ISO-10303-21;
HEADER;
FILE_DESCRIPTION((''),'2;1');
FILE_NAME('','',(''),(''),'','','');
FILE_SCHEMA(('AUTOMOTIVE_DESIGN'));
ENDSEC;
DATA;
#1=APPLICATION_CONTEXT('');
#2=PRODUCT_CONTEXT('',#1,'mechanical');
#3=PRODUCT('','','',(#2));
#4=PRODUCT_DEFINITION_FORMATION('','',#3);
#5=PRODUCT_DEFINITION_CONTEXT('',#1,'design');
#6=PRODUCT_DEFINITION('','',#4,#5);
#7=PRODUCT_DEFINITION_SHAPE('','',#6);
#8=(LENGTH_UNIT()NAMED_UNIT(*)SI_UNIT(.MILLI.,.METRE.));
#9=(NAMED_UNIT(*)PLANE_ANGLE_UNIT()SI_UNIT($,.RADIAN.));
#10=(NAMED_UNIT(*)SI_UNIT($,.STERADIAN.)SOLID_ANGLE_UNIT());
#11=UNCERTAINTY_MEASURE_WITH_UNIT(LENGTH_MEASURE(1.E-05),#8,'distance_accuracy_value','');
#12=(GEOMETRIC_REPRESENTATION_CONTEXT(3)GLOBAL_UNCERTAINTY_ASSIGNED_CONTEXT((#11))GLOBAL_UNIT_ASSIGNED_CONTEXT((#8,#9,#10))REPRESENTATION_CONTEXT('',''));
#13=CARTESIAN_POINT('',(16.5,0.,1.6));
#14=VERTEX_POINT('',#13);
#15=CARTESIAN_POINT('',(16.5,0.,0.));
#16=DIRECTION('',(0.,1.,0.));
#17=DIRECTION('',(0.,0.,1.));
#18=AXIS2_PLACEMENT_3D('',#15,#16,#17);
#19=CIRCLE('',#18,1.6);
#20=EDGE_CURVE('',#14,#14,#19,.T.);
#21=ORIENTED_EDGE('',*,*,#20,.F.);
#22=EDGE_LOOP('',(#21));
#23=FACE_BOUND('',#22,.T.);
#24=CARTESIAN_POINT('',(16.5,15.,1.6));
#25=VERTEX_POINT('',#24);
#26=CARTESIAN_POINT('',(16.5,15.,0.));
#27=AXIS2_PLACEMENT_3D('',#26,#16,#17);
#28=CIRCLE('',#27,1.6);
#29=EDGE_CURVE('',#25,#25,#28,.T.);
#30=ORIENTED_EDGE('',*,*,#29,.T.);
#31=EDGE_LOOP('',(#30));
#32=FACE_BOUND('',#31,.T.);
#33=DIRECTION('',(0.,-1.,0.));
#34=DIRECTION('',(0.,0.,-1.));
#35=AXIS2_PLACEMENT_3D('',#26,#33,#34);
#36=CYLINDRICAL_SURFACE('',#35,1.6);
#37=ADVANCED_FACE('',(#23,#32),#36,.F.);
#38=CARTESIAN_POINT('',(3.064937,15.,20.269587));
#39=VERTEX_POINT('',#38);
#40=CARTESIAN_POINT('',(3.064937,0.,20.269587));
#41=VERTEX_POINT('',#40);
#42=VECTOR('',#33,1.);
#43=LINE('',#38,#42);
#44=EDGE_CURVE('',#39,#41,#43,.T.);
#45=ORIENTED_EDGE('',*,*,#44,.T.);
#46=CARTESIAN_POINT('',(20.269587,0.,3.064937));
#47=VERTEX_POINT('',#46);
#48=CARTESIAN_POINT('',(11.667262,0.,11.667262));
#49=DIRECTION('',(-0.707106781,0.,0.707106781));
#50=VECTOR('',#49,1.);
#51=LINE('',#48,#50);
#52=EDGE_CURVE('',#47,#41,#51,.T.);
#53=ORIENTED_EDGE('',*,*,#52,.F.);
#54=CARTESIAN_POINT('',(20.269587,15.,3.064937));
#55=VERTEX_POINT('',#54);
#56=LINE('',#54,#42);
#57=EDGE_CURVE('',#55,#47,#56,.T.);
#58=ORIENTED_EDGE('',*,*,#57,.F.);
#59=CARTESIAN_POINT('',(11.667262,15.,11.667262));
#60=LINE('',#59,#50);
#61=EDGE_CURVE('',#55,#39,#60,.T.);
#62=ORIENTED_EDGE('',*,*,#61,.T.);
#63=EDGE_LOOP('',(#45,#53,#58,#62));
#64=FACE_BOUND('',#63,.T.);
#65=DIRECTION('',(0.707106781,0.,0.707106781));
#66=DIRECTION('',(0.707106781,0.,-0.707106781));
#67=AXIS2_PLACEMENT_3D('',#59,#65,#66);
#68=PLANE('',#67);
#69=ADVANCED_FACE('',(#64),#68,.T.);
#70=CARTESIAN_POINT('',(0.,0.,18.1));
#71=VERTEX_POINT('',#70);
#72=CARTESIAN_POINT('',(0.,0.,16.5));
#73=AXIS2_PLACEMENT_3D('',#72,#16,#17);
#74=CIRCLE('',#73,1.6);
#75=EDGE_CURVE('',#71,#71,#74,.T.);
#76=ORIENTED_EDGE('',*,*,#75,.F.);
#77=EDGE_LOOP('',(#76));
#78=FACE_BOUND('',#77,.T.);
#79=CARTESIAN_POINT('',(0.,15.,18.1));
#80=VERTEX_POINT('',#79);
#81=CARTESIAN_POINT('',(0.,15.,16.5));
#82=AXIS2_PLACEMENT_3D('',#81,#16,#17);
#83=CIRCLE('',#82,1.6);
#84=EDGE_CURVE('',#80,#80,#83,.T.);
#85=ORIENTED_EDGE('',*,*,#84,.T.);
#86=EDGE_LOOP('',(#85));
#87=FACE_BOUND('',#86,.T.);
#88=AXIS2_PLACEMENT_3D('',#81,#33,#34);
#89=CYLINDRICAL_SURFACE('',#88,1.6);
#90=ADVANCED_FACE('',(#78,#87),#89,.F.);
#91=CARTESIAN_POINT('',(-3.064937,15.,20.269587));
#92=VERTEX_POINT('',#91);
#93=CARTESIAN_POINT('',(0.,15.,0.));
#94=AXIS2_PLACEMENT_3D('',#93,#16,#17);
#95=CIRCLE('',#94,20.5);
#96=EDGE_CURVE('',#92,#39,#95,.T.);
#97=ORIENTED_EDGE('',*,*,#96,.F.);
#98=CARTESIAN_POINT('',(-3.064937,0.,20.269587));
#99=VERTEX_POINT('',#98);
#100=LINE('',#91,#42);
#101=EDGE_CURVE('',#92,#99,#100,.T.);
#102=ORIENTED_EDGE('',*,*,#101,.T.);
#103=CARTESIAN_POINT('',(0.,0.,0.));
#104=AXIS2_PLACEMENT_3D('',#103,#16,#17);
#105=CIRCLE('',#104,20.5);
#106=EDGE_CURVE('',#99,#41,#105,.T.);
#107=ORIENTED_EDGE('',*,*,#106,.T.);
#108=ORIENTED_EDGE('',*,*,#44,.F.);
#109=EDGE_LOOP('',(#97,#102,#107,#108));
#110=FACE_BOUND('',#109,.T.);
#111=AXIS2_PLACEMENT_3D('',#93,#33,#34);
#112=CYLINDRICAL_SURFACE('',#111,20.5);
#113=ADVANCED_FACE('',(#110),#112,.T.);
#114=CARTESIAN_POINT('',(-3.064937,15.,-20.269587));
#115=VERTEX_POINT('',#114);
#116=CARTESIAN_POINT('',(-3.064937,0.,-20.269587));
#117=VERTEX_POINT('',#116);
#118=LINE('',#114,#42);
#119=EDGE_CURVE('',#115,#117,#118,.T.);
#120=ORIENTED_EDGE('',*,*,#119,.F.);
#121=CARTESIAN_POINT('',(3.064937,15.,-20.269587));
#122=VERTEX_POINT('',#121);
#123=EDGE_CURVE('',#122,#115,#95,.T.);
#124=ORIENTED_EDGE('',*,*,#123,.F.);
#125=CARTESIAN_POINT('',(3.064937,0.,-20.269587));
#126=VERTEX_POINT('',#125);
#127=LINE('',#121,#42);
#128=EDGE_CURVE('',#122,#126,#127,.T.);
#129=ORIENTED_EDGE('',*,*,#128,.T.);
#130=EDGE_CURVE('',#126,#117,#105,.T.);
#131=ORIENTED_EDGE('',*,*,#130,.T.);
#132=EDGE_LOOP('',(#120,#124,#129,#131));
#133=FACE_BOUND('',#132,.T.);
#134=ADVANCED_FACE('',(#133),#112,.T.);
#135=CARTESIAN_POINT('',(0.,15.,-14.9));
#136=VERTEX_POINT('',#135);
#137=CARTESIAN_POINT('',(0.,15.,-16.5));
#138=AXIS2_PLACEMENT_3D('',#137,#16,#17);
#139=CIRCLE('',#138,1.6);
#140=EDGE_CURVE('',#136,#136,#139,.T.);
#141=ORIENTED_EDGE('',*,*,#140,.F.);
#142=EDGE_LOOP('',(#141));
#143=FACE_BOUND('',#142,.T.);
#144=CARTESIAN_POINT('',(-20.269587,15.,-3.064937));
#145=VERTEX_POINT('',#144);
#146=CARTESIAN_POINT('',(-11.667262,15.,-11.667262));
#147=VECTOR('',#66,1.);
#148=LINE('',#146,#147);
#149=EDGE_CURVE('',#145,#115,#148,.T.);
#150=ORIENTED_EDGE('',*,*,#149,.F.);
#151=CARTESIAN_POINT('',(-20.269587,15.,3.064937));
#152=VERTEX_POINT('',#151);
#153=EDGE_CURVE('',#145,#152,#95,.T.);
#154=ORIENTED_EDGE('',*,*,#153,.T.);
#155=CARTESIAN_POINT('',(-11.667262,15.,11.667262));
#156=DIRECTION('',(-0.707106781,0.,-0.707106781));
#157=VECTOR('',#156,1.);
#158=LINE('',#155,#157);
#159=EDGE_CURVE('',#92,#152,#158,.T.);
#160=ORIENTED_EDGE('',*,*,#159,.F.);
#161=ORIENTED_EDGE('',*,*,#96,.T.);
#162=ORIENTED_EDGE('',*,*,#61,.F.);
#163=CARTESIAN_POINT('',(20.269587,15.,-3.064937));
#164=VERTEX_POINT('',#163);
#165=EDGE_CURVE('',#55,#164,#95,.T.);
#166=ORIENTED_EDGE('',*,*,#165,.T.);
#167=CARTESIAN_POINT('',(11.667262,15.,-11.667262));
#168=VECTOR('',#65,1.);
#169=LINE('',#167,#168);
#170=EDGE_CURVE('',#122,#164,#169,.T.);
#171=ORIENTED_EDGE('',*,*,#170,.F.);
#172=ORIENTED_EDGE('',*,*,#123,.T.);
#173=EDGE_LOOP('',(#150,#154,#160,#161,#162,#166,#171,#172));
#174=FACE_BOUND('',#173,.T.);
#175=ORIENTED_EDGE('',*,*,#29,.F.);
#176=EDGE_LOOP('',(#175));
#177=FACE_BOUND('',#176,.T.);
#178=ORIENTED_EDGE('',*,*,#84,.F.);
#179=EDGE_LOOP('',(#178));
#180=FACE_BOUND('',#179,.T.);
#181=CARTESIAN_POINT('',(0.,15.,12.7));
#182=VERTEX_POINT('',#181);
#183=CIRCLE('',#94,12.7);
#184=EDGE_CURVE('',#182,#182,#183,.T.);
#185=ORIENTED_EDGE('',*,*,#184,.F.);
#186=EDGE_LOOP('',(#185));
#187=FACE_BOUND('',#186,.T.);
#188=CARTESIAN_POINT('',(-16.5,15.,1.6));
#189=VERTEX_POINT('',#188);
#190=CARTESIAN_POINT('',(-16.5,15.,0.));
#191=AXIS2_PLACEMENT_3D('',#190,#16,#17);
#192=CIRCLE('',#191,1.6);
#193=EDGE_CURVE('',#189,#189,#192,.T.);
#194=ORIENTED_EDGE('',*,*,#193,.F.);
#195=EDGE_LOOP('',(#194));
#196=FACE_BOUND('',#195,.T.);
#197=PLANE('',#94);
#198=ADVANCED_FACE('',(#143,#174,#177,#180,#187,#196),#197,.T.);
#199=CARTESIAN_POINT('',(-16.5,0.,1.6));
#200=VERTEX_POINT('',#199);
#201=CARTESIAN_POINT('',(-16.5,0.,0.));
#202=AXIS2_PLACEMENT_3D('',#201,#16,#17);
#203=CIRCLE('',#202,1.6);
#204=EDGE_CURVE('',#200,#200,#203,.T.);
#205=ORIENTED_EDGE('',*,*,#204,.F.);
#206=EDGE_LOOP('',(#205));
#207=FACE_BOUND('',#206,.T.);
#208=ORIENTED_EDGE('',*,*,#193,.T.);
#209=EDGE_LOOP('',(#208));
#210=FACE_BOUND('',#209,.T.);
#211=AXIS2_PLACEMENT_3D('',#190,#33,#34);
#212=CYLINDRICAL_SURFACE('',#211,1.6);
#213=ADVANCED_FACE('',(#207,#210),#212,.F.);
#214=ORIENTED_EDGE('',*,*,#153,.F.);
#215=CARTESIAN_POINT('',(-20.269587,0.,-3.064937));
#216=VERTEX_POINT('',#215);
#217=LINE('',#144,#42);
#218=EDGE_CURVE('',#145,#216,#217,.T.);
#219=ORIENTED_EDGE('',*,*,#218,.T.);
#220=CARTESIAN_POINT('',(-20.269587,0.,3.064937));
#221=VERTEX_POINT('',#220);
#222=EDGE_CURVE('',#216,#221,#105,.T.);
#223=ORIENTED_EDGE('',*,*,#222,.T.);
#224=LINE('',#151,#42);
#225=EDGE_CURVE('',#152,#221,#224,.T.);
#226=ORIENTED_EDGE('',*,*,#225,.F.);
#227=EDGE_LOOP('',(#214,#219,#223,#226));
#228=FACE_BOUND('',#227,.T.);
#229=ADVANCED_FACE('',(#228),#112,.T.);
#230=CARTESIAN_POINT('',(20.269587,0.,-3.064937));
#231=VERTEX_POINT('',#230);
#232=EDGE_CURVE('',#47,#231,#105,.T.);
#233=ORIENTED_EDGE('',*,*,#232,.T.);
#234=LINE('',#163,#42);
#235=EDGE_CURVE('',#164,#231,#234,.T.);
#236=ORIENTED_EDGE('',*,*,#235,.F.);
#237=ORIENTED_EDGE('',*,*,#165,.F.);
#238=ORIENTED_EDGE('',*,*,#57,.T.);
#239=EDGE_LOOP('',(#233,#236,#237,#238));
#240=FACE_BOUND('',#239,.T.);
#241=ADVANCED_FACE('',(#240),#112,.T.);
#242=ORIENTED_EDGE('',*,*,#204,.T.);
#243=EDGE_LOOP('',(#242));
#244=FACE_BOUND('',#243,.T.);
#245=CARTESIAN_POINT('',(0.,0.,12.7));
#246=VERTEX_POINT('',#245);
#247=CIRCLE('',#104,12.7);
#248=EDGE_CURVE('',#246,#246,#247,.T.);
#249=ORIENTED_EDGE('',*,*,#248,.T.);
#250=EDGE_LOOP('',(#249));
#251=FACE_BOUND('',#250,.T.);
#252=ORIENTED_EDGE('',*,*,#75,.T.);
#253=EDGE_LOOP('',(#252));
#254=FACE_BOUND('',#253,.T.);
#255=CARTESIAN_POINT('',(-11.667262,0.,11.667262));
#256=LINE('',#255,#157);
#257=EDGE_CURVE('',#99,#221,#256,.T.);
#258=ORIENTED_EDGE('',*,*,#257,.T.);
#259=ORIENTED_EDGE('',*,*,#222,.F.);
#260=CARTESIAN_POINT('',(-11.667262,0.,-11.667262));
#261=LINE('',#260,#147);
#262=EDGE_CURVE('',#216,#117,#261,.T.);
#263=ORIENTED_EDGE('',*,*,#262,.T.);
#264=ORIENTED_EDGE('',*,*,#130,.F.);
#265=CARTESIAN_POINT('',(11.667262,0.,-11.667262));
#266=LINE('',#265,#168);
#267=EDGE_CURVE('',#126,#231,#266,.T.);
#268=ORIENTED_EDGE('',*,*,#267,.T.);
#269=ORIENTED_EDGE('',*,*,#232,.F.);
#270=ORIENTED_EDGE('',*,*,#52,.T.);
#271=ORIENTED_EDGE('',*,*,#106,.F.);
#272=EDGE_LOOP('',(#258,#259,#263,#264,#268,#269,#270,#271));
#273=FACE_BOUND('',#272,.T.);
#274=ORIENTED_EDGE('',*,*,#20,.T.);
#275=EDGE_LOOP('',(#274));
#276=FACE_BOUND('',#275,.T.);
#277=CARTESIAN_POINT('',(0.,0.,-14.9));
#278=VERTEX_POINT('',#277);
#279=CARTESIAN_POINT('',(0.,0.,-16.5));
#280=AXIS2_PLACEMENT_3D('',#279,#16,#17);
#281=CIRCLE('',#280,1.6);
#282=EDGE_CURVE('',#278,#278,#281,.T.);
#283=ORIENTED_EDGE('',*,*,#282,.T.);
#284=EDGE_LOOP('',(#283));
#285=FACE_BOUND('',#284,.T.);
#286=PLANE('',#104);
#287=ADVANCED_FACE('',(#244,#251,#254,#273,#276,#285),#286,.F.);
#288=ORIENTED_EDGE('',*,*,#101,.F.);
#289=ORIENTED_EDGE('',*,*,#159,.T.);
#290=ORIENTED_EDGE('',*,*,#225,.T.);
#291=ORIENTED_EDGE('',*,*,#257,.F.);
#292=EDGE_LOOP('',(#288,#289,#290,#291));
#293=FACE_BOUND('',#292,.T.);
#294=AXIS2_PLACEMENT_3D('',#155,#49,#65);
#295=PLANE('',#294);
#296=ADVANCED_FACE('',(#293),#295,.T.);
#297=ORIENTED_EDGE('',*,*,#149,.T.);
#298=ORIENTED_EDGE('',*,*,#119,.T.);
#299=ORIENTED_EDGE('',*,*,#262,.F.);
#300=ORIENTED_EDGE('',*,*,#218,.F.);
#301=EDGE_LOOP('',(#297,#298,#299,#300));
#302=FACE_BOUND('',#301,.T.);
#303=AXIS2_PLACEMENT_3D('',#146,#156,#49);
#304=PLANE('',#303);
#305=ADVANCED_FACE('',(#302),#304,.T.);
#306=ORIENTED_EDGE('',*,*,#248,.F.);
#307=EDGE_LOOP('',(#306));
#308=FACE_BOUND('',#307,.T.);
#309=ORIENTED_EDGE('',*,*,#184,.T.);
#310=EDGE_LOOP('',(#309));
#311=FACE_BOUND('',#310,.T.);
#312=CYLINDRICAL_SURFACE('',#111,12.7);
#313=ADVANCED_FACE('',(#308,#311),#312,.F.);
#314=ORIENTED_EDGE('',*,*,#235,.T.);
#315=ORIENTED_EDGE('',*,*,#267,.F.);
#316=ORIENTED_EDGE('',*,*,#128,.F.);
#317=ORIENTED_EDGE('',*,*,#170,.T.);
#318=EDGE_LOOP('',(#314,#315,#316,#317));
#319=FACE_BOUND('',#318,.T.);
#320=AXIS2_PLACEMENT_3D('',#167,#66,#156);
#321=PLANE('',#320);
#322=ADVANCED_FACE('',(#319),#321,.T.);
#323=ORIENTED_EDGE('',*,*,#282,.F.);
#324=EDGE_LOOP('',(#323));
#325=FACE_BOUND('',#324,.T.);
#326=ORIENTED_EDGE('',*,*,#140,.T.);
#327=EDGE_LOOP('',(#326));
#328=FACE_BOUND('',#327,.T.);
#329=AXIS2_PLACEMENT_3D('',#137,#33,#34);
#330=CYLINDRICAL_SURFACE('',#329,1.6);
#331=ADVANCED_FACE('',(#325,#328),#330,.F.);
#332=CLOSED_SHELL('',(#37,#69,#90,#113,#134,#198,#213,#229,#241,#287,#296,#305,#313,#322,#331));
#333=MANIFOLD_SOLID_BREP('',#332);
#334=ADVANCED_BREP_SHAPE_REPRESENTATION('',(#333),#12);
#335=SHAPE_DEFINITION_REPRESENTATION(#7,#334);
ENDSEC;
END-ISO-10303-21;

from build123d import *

# Parameters (mm, degrees)
SKETCH_1_R      = 1.6
SKETCH_1_R_2    = 12.7
EXTRUDE_1_DEPTH = 15


with BuildPart() as part:
    # 草图1 → 凸台-拉伸1 (new body)
    with BuildSketch(Plane(origin=(0, 0, 0), x_dir=(1, 0, 0), z_dir=(0, 1, 0))):
        with BuildLine():
            Line((-3.064936623, 20.269587157), (-20.269587157, 3.064936623))
            ThreePointArc((-20.269587157, 3.064936623), (-20.5, 0), (-20.269587157, -3.064936623))
            Line((-20.269587157, -3.064936623), (-3.064936623, -20.269587157))
            ThreePointArc((-3.064936623, -20.269587157), (0, -20.5), (3.064936623, -20.269587157))
            Line((3.064936623, -20.269587157), (20.269587157, -3.064936623))
            ThreePointArc((20.269587157, -3.064936623), (20.442315631, -1.536792649), (20.5, 0))
            ThreePointArc((20.5, 0), (20.442315631, 1.536792649), (20.269587157, 3.064936623))
            Line((20.269587157, 3.064936623), (3.064936623, 20.269587157))
            ThreePointArc((3.064936623, 20.269587157), (0, 20.5), (-3.064936623, 20.269587157))
        make_face()
        with Locations(Location((-16.5, 0, 0), (0, 0, 270))):
            Circle(SKETCH_1_R, mode=Mode.SUBTRACT)
        with Locations(Location((0, -16.5, 0), (0, 0, 270))):
            Circle(SKETCH_1_R, mode=Mode.SUBTRACT)
        with Locations(Location((0, 0, 0), (0, 0, 270))):
            Circle(SKETCH_1_R_2, mode=Mode.SUBTRACT)
        with Locations(Location((16.5, 0, 0), (0, 0, 270))):
            Circle(SKETCH_1_R, mode=Mode.SUBTRACT)
        with Locations(Location((0, 16.5, 0), (0, 0, 270))):
            Circle(SKETCH_1_R, mode=Mode.SUBTRACT)
    extrude(amount=EXTRUDE_1_DEPTH)


solid = part.part
